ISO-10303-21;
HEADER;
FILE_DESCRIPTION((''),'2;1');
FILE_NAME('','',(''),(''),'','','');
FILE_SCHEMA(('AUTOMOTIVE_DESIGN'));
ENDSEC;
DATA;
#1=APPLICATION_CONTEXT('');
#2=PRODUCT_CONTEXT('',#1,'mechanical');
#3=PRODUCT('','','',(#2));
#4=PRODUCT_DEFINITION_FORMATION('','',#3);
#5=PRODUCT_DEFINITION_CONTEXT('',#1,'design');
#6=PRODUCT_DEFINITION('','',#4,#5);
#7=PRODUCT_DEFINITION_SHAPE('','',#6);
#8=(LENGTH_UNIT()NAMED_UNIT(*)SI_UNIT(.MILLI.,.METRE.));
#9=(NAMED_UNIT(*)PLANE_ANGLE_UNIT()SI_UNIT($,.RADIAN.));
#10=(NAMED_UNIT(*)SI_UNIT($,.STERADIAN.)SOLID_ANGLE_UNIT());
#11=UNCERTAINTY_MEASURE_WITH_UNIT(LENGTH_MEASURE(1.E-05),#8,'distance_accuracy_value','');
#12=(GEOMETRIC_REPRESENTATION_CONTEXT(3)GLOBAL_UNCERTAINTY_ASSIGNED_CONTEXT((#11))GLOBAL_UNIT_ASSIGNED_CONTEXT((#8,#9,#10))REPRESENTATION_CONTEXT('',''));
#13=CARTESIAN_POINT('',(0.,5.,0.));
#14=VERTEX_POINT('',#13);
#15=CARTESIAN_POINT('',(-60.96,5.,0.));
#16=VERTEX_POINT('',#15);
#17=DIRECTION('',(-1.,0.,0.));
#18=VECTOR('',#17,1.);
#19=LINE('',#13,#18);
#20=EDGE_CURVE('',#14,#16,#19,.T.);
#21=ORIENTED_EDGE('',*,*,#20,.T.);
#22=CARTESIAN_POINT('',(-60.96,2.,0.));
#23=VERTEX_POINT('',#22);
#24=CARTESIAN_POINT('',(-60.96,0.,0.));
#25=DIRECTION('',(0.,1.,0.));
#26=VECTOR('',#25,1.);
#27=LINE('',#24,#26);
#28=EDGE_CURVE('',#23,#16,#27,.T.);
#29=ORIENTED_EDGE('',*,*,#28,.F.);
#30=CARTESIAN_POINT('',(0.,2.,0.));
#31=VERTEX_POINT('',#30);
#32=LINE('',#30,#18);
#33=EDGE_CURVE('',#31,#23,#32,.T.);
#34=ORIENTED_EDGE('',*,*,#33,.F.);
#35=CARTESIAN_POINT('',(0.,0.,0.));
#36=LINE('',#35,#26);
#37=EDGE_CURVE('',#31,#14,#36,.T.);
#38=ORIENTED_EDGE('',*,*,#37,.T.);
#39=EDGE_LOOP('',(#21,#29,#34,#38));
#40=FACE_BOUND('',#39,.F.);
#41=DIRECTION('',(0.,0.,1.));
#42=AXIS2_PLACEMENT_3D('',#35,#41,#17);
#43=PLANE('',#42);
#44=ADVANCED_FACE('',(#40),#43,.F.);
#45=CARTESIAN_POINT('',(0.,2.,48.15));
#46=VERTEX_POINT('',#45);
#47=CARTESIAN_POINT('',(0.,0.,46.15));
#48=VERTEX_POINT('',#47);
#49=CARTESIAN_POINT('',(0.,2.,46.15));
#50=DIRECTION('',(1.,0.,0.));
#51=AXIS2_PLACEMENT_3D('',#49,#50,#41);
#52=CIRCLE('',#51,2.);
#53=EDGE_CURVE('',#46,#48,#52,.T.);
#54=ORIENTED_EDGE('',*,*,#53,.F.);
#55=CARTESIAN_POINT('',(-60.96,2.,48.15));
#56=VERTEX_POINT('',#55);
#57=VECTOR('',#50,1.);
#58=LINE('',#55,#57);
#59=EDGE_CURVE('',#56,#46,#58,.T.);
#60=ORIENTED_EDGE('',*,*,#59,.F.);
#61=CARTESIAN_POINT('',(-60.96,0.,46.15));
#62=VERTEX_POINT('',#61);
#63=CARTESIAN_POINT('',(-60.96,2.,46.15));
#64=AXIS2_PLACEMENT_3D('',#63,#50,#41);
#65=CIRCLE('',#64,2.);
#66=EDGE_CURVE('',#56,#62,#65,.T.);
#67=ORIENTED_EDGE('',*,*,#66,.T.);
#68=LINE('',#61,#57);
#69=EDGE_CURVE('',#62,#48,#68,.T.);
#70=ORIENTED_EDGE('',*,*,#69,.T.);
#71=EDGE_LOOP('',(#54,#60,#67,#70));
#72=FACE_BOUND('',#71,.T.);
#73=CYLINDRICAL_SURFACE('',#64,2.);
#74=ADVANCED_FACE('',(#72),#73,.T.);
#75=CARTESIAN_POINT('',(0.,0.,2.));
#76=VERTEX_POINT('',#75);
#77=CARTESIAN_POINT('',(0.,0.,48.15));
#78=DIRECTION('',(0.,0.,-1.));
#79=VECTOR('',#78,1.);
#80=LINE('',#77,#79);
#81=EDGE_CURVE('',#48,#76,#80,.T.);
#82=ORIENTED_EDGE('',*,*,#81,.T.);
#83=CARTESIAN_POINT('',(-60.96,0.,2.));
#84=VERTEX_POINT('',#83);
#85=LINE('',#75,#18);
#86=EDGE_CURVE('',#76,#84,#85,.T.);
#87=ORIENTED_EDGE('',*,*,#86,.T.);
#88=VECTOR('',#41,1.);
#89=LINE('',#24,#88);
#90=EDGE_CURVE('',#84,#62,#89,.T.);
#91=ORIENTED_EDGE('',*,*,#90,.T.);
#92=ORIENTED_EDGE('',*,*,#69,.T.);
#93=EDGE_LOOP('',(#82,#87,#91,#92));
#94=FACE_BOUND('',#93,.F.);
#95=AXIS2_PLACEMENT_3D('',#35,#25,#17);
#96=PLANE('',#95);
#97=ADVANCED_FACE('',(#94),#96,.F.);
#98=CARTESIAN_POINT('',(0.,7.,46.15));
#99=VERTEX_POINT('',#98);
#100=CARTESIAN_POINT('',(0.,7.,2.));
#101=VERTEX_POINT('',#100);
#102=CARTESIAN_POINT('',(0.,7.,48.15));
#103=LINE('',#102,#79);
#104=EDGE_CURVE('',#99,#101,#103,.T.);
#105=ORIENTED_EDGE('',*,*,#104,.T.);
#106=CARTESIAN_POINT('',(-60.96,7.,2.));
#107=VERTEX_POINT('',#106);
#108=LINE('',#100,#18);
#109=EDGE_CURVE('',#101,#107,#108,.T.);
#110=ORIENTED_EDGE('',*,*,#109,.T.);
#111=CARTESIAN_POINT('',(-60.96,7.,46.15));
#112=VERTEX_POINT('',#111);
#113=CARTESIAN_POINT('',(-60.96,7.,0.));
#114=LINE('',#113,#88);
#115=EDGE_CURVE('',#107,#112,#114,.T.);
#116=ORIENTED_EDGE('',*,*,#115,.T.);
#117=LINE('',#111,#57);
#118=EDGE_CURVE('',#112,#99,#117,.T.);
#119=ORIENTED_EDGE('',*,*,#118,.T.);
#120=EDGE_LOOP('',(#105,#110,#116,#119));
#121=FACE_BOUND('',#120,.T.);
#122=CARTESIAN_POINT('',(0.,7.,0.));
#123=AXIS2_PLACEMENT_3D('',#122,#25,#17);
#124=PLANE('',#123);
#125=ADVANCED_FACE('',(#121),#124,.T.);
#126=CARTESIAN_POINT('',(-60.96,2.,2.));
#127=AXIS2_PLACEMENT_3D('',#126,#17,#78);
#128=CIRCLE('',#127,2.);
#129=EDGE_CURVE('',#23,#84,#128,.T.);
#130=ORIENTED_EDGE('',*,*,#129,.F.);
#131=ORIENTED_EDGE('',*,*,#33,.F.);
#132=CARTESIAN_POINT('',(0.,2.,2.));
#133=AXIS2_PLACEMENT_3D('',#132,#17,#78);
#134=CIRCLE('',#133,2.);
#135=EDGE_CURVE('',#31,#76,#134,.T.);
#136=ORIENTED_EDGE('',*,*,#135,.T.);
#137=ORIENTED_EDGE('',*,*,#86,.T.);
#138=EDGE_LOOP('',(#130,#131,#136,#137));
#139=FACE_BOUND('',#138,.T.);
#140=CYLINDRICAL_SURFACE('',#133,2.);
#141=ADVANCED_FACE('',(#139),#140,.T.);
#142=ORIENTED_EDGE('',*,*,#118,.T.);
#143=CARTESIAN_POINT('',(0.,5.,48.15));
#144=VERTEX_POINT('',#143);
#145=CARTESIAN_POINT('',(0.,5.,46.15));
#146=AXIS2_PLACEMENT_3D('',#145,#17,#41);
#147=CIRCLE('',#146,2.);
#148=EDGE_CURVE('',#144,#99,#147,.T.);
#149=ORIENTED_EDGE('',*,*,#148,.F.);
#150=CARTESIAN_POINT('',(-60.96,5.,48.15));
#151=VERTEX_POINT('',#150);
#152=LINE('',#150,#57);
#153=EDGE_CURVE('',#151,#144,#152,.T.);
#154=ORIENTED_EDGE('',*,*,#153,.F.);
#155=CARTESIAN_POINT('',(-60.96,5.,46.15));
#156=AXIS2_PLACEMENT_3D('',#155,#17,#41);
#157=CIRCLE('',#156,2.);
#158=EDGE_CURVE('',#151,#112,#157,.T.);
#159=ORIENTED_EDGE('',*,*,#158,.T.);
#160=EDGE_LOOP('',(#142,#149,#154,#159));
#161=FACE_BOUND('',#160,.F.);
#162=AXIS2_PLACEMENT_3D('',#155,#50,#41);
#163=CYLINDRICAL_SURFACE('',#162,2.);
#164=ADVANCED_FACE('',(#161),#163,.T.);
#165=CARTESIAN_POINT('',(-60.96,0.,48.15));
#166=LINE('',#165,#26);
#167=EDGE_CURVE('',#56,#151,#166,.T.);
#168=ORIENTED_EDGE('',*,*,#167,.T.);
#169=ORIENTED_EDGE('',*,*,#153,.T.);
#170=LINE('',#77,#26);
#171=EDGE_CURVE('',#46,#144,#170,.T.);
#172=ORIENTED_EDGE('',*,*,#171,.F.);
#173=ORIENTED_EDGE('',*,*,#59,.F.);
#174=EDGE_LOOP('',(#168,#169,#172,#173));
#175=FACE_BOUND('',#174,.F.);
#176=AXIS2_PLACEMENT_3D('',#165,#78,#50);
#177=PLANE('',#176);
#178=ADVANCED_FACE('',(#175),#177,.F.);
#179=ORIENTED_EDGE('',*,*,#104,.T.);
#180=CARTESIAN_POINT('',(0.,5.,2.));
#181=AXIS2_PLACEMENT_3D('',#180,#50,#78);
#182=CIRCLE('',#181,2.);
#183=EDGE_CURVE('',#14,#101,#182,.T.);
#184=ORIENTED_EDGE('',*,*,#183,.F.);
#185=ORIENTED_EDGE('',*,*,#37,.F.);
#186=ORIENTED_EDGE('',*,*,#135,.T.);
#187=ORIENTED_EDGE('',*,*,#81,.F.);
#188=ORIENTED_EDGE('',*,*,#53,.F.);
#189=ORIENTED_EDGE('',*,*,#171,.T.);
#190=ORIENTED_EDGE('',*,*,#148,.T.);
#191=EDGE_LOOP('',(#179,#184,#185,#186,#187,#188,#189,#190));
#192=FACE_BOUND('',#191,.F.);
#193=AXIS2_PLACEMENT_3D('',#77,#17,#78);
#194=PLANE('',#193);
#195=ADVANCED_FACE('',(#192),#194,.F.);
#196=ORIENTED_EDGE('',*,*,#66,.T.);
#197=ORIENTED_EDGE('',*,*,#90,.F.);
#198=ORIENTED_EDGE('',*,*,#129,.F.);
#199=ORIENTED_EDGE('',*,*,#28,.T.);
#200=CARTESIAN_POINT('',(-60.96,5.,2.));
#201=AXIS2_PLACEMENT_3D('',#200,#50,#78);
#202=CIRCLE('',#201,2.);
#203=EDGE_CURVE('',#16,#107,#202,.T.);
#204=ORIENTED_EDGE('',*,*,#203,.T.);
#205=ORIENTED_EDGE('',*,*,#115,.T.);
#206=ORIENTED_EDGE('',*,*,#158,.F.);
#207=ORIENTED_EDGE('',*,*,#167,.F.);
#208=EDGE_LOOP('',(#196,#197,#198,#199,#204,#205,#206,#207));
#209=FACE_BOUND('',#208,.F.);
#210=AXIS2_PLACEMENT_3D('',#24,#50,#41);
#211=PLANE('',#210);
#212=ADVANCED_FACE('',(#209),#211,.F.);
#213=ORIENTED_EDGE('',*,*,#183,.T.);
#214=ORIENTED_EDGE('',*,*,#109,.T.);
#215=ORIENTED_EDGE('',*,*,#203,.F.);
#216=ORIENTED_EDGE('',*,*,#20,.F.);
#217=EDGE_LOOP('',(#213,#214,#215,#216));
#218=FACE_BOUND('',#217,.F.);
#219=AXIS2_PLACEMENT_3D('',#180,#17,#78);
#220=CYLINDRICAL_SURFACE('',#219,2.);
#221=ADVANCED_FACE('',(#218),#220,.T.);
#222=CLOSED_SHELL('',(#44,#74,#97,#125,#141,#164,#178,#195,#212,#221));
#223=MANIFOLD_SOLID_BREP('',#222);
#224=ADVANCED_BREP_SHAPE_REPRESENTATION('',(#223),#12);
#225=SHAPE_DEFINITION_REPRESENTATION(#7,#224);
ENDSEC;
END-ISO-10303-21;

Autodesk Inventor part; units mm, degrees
ref_plane "YZ Plane" through (0, 0, 0) normal (1, 0, 0) x (0, 1, 0)
ref_plane "XZ Plane" through (0, 0, 0) normal (0, 1, 0) x (-1, 0, 0)
ref_plane "XY Plane" through (0, 0, 0) normal (0, 0, 1) x (1, 0, 0)
sketch "Sketch1" plane through (0, 0, 0) normal (0, 1, 0) x (-1, 0, 0)
  line L0 (60.96, 48.15) -> (0, 48.15)
  line L1 (0, 48.15) -> (0, 0)
  line L2 (0, 0) -> (60.96, 0)
  line L3 (60.96, 0) -> (60.96, 48.15)
  dimension "d0" = 48.15
  dimension "d1" = 60.96
extrude "Extrusion1" add sketch "Sketch1" along normal blind 7
fillet "Fillet1" radius 2 4 edges at (-30.48, 7, 48.15) (-30.48, 7, 0) (-30.48, 0, 48.15) (-30.48, 0, 0)
properties part number "lipo.bateria"
